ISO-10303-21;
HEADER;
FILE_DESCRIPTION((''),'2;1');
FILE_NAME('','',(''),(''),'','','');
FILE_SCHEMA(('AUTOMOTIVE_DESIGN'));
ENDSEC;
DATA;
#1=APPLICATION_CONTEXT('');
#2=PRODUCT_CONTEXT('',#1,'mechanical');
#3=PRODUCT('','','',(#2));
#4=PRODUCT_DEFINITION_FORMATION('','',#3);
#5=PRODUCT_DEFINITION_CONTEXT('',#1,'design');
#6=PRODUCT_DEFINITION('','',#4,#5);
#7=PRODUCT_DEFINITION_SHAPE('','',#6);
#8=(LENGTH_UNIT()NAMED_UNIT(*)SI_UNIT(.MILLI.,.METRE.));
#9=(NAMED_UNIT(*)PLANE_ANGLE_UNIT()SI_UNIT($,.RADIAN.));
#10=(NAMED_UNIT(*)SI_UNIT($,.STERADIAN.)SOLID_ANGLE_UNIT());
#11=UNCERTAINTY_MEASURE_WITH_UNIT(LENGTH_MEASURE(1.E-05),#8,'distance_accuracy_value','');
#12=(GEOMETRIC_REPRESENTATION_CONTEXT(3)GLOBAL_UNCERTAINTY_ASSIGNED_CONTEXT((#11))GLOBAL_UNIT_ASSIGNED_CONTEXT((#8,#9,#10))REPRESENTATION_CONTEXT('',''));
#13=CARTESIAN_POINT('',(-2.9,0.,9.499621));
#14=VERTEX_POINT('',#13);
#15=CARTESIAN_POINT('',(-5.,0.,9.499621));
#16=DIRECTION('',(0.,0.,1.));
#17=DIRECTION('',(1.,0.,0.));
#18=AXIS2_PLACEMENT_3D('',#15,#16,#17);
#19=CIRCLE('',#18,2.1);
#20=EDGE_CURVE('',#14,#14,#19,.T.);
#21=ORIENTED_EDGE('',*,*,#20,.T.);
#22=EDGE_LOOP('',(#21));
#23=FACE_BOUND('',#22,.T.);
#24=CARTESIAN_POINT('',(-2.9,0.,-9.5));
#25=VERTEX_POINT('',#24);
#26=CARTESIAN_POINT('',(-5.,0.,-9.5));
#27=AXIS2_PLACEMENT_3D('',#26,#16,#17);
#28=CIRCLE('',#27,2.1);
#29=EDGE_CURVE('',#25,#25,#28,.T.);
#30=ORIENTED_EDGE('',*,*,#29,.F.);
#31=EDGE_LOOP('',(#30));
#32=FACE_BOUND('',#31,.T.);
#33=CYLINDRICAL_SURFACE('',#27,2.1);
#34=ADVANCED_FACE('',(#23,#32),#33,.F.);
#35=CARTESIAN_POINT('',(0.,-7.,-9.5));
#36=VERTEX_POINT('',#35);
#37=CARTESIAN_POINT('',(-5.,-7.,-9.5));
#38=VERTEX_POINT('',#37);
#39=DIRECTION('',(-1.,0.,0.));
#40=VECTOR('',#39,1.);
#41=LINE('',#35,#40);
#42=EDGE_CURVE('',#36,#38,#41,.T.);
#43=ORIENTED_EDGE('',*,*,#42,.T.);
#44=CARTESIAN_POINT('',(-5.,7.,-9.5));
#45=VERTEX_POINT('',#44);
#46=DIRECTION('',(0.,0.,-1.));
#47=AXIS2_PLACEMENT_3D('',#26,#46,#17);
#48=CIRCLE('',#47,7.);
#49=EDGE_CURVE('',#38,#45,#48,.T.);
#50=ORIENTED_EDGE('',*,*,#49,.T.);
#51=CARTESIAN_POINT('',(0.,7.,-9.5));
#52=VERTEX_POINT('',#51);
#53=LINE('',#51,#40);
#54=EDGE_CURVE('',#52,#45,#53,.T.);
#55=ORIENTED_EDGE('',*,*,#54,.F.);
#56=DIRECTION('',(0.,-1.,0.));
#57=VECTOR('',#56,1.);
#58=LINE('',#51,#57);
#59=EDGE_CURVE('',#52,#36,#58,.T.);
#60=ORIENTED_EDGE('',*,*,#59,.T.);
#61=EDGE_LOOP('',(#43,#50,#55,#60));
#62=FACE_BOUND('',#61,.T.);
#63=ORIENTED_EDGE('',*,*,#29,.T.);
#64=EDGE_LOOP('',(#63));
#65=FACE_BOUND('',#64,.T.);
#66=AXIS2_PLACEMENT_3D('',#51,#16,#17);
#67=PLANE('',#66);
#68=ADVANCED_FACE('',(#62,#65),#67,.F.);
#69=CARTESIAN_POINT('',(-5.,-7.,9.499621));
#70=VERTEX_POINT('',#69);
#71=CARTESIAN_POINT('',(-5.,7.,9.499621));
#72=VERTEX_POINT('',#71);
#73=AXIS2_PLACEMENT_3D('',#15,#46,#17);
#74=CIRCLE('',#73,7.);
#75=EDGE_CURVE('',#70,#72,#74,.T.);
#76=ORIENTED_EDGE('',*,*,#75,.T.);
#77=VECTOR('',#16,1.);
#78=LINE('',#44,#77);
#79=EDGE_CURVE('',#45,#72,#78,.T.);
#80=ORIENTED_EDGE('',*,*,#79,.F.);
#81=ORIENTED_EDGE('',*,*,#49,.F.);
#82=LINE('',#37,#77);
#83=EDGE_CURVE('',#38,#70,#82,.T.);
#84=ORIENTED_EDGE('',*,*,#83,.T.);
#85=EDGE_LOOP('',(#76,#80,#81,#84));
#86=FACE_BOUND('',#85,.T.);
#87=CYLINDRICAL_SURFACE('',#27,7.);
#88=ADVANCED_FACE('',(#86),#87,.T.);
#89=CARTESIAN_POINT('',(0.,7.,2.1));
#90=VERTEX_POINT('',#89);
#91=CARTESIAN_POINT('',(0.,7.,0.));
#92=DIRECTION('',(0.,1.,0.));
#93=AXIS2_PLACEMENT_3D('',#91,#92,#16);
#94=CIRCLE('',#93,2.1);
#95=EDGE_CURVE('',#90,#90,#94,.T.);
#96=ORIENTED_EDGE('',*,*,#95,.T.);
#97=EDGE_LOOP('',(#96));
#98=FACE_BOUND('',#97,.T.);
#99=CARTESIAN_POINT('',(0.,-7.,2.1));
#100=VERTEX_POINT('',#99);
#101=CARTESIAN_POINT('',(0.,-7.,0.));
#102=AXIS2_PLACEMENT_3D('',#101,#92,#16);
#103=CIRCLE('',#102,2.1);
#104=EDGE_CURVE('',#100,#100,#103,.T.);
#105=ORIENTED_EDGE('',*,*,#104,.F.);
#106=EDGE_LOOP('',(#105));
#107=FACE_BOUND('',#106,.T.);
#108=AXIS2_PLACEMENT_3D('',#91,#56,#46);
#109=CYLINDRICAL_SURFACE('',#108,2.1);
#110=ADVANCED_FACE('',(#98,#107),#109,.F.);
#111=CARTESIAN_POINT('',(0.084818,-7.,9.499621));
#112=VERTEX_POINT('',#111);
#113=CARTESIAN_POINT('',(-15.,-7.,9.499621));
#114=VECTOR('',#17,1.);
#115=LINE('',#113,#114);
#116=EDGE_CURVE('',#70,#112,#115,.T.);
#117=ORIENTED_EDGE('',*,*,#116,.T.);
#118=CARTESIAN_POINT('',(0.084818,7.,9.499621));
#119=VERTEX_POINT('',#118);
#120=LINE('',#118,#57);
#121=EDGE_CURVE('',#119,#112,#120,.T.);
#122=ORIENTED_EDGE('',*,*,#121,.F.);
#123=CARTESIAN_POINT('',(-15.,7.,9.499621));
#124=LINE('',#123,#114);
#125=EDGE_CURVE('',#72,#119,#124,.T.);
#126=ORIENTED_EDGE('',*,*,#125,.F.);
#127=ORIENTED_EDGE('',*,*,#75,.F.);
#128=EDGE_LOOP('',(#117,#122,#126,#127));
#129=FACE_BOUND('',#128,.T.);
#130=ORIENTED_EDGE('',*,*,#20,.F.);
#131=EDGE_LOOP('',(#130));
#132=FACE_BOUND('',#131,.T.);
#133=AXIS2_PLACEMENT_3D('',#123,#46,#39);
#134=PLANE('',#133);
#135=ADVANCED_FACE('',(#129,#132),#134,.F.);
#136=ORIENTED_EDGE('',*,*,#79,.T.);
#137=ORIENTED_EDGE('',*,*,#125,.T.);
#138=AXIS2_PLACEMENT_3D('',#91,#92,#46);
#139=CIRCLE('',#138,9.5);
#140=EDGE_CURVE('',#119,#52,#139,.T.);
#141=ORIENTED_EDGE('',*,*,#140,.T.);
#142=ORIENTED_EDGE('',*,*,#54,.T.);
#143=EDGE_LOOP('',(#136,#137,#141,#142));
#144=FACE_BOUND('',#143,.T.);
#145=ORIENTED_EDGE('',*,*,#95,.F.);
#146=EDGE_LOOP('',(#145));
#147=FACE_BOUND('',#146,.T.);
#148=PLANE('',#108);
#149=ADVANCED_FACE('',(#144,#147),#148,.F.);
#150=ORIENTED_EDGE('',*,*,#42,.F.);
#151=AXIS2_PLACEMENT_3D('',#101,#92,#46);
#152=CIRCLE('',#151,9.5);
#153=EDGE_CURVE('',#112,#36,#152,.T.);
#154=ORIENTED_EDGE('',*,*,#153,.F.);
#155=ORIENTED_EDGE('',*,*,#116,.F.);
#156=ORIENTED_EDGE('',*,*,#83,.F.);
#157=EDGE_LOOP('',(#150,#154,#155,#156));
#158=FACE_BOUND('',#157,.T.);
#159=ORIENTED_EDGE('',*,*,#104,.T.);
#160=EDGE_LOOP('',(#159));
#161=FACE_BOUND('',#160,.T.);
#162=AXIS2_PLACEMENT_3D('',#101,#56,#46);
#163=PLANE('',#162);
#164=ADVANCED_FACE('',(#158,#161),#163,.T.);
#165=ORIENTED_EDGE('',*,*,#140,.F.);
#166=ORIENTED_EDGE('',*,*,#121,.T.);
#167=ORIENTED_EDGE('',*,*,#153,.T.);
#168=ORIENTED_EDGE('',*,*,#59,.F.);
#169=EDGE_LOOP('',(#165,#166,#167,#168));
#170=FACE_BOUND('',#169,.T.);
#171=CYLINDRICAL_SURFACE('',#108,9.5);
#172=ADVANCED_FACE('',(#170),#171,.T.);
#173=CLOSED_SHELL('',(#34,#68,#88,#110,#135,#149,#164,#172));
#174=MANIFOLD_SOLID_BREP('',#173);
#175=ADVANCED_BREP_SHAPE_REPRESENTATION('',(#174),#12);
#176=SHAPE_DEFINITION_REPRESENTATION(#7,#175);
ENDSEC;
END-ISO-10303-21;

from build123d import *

# Parameters (mm, degrees)
CROQUIS1_R              = 2.1
SALIENTE_EXTRUIR1_DEPTH = 7
CROQUIS2_R              = 2.1
CORTAR_EXTRUIR1_DEPTH   = 26.198920843
CORTAR_EXTRUIR2_DEPTH   = 26.198920843


with BuildPart() as part:
    # Croquis1 → Saliente-Extruir1 (new, symmetric)
    with BuildSketch(Plane(origin=(0, 0, 0), x_dir=(1, 0, 0), z_dir=(0, 1, 0))):
        with BuildLine():
            Line((0, 9.5), (-15, 9.5))
            Line((-15, 9.5), (-15, -9.499621356))
            Line((-15, -9.499621356), (0.084818048, -9.499621356))
            ThreePointArc((0.084818048, -9.499621356), (9.499905338, 0.042409446), (0, 9.5))
        make_face()
        with Locations(Location((0, 0, 0), (0, 0, 270))):
            Circle(CROQUIS1_R, mode=Mode.SUBTRACT)
    extrude(amount=SALIENTE_EXTRUIR1_DEPTH, both=True)

    # Croquis2 → Cortar-Extruir1 (cut, through all)
    with BuildSketch(Plane.XY.offset(9.499621356)):
        with Locations((-5, 0)):
            Circle(CROQUIS2_R)
    extrude(amount=-CORTAR_EXTRUIR1_DEPTH, mode=Mode.SUBTRACT)

    # Croquis3 → Cortar-Extruir2 (cut, through all)
    with BuildSketch(Plane.XY.offset(9.499621356)):
        with BuildLine():
            Line((-5, 7), (-15, 7))
            Line((-15, 7), (-15, -7))
            Line((-15, -7), (-5, -7))
            ThreePointArc((-5, -7), (-12, 0), (-5, 7))
        make_face()
    extrude(amount=-CORTAR_EXTRUIR2_DEPTH, mode=Mode.SUBTRACT)


solid = part.part
